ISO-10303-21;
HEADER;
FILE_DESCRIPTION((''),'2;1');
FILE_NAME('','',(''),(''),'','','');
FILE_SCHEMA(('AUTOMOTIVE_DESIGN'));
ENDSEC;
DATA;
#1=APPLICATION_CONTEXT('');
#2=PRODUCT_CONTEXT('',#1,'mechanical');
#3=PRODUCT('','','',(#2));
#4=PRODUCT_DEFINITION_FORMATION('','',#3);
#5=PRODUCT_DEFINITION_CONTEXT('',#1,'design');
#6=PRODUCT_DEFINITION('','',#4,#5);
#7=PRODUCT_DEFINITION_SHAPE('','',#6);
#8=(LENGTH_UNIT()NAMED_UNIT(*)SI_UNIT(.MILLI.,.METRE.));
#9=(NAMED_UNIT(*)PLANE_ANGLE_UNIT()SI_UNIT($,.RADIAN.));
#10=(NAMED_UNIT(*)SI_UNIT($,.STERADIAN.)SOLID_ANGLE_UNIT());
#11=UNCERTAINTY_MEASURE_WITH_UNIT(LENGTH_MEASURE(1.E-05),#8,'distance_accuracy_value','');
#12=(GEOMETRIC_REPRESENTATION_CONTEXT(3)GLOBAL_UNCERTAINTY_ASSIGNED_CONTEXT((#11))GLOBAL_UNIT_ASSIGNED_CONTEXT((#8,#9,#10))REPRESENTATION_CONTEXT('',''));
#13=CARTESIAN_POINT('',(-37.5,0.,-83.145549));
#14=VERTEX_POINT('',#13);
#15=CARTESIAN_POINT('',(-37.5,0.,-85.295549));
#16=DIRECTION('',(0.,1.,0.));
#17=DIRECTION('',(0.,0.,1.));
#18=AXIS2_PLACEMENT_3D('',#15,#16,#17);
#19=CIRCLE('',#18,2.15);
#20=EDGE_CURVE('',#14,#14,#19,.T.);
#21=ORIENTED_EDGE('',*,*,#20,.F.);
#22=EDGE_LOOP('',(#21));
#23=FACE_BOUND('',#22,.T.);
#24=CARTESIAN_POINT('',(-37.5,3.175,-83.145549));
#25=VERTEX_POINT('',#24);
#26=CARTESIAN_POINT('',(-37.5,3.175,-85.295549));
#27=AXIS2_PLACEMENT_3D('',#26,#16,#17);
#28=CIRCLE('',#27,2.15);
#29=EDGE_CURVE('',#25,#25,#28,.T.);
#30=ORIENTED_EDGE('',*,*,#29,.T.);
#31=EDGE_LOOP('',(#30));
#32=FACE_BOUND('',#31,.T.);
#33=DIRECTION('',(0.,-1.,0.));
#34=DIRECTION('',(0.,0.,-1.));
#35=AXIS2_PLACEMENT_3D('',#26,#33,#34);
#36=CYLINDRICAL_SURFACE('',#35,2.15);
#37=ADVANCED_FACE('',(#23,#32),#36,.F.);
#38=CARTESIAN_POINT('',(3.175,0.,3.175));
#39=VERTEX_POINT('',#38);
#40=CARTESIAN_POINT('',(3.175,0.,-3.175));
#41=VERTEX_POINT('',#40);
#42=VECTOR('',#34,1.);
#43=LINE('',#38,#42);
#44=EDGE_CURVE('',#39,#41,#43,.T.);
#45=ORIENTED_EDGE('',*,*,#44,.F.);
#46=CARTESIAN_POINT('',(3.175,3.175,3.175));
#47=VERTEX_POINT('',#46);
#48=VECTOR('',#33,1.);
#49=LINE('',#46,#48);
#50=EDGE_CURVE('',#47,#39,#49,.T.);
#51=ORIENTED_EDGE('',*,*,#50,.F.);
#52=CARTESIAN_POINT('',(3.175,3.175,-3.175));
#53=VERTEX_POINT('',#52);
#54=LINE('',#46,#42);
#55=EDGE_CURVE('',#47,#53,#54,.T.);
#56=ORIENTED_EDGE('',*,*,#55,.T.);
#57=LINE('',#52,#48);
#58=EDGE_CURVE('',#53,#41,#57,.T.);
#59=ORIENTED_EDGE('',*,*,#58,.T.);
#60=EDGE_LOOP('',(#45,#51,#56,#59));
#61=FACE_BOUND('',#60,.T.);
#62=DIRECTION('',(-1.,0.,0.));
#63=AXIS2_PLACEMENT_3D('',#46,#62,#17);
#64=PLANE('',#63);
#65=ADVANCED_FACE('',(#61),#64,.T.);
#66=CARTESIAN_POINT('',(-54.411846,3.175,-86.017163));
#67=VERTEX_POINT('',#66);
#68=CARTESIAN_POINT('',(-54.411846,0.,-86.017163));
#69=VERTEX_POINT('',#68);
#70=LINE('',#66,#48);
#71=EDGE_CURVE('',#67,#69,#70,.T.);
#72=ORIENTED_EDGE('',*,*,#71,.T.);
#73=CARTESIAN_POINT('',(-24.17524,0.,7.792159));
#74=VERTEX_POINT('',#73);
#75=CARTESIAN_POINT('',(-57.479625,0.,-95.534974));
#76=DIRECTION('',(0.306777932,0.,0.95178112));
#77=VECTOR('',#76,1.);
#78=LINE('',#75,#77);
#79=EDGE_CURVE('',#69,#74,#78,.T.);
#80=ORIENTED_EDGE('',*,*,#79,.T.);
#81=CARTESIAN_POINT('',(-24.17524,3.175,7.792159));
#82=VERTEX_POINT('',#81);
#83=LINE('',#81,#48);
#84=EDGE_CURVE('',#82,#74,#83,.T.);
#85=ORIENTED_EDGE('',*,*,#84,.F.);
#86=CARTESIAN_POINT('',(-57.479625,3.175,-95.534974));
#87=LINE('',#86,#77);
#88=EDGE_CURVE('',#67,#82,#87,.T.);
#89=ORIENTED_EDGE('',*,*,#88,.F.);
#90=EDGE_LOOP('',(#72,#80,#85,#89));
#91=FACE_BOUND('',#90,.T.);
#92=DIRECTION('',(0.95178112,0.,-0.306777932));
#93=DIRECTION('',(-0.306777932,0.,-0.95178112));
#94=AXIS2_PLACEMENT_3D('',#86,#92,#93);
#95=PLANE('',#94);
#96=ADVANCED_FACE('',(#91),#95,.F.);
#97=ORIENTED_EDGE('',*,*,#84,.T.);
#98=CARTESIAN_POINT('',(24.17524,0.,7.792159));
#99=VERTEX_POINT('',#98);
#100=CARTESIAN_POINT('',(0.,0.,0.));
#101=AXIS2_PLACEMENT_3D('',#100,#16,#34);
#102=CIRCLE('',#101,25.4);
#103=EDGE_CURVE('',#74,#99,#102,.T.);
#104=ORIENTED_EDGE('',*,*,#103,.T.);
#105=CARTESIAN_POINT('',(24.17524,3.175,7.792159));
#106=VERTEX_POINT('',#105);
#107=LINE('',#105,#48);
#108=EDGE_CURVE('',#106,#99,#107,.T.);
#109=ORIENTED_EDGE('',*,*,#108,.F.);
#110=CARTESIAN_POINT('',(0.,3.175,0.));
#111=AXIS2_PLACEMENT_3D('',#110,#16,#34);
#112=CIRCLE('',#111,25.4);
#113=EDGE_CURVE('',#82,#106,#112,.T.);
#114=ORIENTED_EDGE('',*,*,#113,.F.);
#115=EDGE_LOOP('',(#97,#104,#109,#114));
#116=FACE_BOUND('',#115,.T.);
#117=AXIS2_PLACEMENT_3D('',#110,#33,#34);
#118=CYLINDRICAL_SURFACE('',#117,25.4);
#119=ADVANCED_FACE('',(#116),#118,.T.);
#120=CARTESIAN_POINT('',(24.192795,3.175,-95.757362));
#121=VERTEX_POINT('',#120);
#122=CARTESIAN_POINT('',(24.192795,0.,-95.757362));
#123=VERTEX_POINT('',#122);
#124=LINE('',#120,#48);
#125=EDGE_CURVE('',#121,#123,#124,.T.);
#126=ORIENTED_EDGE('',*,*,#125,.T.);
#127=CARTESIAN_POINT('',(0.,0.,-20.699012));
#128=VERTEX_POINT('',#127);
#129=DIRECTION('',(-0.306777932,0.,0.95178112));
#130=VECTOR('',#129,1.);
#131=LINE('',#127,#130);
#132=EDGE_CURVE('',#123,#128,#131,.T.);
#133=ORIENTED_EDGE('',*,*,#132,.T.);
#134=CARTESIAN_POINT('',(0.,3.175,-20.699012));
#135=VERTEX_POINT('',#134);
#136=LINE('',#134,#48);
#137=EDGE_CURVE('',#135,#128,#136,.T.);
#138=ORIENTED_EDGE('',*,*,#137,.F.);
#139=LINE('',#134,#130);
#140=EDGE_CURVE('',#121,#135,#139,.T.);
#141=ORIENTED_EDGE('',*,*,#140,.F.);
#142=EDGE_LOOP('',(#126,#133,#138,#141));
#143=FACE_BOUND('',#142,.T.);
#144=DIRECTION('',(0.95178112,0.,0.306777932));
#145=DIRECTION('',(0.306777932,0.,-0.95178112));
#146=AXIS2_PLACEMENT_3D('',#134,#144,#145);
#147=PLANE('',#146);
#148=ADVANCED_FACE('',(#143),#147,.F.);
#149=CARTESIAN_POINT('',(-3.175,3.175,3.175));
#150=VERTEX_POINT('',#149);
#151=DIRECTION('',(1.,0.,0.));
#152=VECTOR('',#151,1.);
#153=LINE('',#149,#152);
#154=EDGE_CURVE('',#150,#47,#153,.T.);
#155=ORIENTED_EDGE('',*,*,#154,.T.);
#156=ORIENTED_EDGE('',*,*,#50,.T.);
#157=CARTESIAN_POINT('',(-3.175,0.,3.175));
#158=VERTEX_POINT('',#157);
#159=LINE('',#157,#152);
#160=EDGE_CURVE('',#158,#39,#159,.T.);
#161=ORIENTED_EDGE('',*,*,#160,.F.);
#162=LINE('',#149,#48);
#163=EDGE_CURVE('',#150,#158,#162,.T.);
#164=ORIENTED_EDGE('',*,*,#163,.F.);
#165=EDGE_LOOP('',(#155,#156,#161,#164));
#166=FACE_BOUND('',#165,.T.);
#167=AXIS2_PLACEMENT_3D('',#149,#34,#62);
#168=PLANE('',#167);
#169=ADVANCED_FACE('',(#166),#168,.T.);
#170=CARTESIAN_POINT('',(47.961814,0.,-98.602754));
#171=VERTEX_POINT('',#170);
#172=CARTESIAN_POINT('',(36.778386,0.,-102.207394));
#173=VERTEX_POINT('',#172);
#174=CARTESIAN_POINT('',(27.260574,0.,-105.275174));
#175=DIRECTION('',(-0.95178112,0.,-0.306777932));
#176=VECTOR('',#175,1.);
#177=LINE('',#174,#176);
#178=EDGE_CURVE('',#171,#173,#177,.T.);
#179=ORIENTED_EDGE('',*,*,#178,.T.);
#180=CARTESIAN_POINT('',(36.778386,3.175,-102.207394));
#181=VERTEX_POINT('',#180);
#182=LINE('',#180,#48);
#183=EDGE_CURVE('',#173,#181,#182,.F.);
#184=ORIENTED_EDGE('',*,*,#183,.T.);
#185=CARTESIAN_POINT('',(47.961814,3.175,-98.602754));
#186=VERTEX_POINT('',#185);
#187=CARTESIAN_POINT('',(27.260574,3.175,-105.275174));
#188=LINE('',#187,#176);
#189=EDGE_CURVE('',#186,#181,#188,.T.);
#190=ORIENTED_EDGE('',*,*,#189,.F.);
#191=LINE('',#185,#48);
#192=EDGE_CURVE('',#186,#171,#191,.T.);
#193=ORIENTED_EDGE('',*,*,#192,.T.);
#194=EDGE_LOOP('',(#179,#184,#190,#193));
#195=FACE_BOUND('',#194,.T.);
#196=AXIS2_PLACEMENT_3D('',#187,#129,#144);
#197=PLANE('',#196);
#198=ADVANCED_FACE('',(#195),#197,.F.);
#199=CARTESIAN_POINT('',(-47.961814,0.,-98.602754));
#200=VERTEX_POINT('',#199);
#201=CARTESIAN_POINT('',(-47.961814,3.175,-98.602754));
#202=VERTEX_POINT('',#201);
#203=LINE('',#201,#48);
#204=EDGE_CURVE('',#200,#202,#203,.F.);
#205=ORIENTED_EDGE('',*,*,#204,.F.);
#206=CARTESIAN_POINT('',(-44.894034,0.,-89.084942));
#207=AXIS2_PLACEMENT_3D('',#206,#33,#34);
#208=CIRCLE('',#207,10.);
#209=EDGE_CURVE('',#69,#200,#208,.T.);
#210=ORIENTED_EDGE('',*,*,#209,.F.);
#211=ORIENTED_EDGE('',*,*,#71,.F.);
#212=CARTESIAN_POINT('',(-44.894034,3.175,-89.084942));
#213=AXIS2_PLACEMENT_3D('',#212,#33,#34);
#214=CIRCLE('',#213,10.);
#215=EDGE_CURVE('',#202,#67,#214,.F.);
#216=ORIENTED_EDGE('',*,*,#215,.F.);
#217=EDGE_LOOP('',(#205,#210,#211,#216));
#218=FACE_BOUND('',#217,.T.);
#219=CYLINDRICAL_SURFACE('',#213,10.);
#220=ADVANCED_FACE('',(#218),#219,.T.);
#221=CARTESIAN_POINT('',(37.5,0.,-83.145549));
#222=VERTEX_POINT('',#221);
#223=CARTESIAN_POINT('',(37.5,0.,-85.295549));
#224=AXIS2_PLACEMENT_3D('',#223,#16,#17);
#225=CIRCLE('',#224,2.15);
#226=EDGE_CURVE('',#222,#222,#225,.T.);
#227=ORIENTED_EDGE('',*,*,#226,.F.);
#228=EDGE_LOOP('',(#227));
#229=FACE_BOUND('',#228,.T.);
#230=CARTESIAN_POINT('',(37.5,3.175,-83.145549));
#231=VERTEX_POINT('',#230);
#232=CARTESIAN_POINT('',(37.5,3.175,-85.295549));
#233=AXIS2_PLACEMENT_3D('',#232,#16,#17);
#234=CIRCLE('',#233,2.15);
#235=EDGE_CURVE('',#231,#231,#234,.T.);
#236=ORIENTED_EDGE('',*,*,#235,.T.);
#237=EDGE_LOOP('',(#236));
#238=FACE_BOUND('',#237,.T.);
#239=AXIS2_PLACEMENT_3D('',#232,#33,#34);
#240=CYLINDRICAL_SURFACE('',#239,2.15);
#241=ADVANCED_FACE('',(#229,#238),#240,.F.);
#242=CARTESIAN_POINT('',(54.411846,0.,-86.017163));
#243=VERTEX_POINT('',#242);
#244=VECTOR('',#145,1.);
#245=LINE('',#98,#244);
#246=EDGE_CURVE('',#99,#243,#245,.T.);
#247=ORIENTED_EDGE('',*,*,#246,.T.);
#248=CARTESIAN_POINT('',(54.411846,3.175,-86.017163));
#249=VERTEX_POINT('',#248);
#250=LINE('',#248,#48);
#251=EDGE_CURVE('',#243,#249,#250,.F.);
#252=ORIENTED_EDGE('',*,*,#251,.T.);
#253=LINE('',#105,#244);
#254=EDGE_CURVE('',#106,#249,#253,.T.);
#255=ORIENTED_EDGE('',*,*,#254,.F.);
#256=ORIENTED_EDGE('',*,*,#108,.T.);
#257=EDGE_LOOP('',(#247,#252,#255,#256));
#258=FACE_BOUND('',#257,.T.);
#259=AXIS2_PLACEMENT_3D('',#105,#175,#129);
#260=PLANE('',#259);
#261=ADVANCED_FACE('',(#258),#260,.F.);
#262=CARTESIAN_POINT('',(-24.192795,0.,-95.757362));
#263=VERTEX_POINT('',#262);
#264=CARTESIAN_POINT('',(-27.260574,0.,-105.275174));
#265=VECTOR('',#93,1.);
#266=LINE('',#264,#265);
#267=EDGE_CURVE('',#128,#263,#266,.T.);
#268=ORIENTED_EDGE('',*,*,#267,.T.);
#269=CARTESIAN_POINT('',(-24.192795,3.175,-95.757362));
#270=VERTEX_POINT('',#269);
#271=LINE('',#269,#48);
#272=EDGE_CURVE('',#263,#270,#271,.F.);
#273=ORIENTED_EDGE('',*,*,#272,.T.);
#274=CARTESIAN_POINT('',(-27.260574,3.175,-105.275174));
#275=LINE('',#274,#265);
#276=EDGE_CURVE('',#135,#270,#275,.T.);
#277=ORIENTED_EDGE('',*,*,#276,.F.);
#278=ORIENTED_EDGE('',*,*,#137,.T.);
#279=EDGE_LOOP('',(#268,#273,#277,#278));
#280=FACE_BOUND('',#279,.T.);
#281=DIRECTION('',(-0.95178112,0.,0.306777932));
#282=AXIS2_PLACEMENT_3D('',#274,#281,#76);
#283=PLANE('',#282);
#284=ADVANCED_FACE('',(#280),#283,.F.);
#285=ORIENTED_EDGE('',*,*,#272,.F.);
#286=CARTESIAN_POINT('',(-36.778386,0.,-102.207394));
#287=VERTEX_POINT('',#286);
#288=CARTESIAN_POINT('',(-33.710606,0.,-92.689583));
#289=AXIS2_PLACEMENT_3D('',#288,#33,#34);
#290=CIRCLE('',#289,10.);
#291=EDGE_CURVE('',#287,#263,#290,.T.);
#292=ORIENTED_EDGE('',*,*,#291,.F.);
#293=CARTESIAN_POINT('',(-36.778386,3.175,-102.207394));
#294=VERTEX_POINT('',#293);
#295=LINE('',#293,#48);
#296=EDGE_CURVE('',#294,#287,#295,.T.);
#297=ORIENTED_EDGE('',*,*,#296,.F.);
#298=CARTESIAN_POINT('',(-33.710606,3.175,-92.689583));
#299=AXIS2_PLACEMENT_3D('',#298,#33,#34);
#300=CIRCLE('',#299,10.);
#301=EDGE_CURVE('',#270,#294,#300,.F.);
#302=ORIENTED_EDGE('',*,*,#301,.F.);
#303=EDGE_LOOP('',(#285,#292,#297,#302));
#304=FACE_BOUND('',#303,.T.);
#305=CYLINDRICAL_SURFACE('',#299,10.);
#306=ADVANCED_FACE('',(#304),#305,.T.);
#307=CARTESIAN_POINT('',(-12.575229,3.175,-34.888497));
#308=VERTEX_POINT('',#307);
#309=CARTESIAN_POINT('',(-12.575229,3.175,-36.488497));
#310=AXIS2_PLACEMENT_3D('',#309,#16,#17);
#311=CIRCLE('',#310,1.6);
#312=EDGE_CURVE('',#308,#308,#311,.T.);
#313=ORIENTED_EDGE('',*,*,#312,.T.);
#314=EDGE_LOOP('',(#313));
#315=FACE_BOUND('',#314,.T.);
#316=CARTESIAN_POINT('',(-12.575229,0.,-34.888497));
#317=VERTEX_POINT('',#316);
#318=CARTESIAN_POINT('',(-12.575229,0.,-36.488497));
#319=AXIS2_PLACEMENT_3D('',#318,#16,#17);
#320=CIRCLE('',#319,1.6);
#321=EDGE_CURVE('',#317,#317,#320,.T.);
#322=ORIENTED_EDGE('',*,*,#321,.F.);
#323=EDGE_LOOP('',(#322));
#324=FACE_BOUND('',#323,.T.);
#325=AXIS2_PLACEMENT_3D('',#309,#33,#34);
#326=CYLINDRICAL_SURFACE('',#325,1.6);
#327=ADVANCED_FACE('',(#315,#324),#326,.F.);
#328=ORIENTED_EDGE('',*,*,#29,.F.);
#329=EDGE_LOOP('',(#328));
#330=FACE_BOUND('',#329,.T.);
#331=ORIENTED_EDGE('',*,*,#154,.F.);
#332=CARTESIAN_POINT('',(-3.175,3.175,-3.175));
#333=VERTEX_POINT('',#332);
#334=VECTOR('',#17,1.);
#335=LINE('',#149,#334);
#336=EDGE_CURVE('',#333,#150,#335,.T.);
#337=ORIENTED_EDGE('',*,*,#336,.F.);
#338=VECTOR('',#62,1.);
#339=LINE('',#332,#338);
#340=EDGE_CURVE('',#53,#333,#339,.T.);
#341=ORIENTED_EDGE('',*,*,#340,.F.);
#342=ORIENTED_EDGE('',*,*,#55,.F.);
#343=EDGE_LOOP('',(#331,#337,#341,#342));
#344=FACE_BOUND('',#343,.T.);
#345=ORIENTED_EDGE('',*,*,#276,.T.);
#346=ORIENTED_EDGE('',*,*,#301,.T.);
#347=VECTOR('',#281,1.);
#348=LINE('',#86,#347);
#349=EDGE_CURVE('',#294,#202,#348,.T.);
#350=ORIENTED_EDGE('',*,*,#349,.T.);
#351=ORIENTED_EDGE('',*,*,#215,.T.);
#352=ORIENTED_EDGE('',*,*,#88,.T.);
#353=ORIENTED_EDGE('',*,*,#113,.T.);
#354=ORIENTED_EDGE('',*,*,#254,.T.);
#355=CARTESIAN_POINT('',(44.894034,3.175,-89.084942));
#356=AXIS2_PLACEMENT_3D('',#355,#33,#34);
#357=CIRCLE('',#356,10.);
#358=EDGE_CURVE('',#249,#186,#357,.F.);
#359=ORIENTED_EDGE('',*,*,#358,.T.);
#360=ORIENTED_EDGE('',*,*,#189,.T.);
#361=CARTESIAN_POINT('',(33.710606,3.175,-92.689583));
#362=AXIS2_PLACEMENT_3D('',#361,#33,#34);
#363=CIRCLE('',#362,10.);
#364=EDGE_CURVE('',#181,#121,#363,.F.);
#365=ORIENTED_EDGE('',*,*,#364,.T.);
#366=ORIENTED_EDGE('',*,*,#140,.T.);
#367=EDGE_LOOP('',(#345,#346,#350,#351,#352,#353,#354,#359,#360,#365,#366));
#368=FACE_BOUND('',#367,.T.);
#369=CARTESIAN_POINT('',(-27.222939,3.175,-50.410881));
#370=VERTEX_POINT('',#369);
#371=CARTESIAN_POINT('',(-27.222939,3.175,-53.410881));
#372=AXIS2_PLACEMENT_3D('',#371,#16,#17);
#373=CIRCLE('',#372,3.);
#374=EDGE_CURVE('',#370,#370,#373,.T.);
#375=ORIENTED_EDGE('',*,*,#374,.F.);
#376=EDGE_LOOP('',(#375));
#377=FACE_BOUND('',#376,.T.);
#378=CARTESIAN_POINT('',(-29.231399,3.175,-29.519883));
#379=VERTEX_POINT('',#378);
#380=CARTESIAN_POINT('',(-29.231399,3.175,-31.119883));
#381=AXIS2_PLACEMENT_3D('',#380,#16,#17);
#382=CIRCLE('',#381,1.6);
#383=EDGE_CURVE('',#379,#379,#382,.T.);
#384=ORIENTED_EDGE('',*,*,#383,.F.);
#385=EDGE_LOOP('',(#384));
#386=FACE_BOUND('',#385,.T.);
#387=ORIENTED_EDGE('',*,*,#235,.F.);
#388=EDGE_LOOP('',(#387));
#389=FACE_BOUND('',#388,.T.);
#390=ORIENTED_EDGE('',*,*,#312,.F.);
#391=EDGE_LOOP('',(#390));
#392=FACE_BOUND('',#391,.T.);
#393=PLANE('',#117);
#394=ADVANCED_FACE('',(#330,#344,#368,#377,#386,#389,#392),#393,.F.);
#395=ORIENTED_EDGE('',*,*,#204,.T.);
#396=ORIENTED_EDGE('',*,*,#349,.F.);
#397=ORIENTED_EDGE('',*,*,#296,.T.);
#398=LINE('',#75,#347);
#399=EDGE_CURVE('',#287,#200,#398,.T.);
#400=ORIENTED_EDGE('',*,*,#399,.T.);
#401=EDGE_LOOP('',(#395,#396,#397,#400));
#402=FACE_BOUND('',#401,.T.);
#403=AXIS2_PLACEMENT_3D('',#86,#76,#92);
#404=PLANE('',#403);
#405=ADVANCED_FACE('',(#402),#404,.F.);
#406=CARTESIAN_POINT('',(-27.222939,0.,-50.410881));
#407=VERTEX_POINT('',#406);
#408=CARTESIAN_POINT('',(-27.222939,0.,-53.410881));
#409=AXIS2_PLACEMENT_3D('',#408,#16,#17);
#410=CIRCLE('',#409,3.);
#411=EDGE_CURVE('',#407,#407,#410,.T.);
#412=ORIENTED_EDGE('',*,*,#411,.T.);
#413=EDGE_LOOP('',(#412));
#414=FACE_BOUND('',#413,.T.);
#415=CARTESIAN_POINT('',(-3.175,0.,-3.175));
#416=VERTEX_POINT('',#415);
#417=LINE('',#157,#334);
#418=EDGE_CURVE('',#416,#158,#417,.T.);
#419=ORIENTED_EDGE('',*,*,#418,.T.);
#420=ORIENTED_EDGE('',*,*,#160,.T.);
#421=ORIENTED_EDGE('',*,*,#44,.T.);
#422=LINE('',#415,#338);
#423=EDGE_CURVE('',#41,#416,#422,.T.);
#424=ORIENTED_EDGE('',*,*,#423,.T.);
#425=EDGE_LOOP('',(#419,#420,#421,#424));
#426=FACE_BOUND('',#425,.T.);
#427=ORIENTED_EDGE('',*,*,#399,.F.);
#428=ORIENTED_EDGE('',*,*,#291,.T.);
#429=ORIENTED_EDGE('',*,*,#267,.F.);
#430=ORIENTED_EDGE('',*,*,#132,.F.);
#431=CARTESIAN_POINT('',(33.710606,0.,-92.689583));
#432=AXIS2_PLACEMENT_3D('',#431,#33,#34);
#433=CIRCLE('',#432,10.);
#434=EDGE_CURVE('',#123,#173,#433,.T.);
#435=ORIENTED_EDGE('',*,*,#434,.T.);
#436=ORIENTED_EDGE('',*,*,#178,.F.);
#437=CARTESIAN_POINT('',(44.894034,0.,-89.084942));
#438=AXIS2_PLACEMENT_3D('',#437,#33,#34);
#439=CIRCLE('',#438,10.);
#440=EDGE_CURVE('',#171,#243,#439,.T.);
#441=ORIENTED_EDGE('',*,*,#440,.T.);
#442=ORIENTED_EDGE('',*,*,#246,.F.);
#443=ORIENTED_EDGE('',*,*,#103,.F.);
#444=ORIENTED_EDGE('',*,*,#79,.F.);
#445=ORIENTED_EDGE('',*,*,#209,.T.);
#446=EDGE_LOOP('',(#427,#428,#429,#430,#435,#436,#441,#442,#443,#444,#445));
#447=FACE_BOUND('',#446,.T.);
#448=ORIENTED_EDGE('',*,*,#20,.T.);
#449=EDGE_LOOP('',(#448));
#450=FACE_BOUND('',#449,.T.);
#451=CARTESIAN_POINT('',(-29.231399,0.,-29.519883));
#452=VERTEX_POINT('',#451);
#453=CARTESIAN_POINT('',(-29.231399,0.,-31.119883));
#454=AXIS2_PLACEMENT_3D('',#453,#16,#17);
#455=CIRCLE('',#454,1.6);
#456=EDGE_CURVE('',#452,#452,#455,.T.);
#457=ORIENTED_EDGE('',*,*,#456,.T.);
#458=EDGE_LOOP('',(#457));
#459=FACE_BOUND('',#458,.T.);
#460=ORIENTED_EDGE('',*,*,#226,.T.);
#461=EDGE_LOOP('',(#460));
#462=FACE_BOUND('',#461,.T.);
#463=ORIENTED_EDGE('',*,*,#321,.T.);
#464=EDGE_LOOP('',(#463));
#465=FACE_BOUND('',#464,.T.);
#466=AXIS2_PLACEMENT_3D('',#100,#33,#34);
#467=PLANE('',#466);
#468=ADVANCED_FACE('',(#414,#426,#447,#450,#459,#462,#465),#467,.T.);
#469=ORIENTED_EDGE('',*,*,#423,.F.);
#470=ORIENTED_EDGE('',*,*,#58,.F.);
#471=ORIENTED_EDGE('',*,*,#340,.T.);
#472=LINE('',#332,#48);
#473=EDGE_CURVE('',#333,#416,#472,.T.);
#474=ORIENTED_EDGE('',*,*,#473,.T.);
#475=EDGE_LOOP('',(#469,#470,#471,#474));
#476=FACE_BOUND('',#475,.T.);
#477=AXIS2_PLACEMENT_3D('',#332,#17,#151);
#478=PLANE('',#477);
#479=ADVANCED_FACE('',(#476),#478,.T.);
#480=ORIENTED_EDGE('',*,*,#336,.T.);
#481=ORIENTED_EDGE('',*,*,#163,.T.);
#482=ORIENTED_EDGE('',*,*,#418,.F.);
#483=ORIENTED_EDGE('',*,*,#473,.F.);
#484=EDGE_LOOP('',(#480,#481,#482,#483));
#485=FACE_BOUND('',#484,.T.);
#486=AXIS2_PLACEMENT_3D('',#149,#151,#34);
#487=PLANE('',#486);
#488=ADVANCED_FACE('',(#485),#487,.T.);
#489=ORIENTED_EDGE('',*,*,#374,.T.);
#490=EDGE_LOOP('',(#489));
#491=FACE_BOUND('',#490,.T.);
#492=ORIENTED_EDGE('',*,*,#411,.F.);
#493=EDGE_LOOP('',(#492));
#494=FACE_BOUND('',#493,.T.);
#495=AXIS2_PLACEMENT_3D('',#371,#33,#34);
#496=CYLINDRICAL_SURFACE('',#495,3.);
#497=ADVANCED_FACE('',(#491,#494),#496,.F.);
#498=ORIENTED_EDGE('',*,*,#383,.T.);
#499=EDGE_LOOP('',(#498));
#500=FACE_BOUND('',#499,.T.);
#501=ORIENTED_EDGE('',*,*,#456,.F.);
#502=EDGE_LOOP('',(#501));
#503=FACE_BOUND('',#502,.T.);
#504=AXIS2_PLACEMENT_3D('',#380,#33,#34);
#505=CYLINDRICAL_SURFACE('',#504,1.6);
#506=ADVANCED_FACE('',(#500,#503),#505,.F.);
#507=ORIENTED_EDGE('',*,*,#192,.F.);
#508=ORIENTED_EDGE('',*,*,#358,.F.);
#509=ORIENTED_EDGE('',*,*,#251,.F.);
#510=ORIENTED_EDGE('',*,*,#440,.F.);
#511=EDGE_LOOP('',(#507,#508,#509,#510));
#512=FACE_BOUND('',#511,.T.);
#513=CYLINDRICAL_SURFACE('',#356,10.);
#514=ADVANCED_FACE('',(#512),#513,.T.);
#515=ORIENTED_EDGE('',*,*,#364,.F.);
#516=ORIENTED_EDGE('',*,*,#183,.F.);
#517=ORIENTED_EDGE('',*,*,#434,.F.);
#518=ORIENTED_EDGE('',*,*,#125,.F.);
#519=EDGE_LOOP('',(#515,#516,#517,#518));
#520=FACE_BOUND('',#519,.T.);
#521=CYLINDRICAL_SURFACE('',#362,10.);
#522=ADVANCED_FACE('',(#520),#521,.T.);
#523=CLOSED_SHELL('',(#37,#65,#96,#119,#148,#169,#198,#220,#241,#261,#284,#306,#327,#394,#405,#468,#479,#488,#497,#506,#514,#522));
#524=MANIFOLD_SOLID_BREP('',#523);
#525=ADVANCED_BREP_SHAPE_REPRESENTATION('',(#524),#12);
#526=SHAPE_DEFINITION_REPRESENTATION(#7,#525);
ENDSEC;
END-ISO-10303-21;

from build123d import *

# Parameters (mm, degrees)
SKETCH1_R           = 2.15
SKETCH1_R_2         = 3
SKETCH1_R_3         = 1.6
SKETCH1_W           = 6.35
SKETCH1_H           = 6.35
BOSS_EXTRUDE1_DEPTH = 3.175
FILLET1_R           = 10


with BuildPart() as part:
    # Sketch1 → Boss-Extrude1 (new body)
    with BuildSketch(Plane(origin=(0, 0, 0), x_dir=(1, 0, 0), z_dir=(0, 1, 0))):
        with BuildLine():
            Line((-57.479624947, 95.534974299), (-24.175240451, -7.792159464))
            ThreePointArc((-24.175240451, -7.792159464), (0, -25.4), (24.175240451, -7.792159464))
            Line((24.175240451, -7.792159464), (57.479624947, 95.534974299))
            Line((57.479624947, 95.534974299), (27.260574383, 105.27517363))
            Line((27.260574383, 105.27517363), (0, 20.69901171))
            Line((0, 20.69901171), (-27.260574383, 105.27517363))
            Line((-27.260574383, 105.27517363), (-57.479624947, 95.534974299))
        make_face()
        with Locations((37.5, 85.295548682)):
            Circle(SKETCH1_R, mode=Mode.SUBTRACT)
        with Locations((-37.5, 85.295548682)):
            Circle(SKETCH1_R, mode=Mode.SUBTRACT)
        with Locations((-27.222939289, 53.410881158)):
            Circle(SKETCH1_R_2, mode=Mode.SUBTRACT)
        with Locations((-29.231398698, 31.119883181)):
            Circle(SKETCH1_R_3, mode=Mode.SUBTRACT)
        with Locations((-12.575229096, 36.488496985)):
            Circle(SKETCH1_R_3, mode=Mode.SUBTRACT)
        Rectangle(SKETCH1_W, SKETCH1_H, mode=Mode.SUBTRACT)
    extrude(amount=BOSS_EXTRUDE1_DEPTH)

    # Fillet1
    fillet1_edges = [part.edges().sort_by_distance(p)[0] for p in [
        (-27.260574383, 1.5875, -105.27517363),
        (27.260574383, 1.5875, -105.27517363),
        (57.479624947, 1.5875, -95.534974299),
        (-57.479624947, 1.5875, -95.534974299),
    ]]
    fillet(fillet1_edges, radius=FILLET1_R)


solid = part.part
